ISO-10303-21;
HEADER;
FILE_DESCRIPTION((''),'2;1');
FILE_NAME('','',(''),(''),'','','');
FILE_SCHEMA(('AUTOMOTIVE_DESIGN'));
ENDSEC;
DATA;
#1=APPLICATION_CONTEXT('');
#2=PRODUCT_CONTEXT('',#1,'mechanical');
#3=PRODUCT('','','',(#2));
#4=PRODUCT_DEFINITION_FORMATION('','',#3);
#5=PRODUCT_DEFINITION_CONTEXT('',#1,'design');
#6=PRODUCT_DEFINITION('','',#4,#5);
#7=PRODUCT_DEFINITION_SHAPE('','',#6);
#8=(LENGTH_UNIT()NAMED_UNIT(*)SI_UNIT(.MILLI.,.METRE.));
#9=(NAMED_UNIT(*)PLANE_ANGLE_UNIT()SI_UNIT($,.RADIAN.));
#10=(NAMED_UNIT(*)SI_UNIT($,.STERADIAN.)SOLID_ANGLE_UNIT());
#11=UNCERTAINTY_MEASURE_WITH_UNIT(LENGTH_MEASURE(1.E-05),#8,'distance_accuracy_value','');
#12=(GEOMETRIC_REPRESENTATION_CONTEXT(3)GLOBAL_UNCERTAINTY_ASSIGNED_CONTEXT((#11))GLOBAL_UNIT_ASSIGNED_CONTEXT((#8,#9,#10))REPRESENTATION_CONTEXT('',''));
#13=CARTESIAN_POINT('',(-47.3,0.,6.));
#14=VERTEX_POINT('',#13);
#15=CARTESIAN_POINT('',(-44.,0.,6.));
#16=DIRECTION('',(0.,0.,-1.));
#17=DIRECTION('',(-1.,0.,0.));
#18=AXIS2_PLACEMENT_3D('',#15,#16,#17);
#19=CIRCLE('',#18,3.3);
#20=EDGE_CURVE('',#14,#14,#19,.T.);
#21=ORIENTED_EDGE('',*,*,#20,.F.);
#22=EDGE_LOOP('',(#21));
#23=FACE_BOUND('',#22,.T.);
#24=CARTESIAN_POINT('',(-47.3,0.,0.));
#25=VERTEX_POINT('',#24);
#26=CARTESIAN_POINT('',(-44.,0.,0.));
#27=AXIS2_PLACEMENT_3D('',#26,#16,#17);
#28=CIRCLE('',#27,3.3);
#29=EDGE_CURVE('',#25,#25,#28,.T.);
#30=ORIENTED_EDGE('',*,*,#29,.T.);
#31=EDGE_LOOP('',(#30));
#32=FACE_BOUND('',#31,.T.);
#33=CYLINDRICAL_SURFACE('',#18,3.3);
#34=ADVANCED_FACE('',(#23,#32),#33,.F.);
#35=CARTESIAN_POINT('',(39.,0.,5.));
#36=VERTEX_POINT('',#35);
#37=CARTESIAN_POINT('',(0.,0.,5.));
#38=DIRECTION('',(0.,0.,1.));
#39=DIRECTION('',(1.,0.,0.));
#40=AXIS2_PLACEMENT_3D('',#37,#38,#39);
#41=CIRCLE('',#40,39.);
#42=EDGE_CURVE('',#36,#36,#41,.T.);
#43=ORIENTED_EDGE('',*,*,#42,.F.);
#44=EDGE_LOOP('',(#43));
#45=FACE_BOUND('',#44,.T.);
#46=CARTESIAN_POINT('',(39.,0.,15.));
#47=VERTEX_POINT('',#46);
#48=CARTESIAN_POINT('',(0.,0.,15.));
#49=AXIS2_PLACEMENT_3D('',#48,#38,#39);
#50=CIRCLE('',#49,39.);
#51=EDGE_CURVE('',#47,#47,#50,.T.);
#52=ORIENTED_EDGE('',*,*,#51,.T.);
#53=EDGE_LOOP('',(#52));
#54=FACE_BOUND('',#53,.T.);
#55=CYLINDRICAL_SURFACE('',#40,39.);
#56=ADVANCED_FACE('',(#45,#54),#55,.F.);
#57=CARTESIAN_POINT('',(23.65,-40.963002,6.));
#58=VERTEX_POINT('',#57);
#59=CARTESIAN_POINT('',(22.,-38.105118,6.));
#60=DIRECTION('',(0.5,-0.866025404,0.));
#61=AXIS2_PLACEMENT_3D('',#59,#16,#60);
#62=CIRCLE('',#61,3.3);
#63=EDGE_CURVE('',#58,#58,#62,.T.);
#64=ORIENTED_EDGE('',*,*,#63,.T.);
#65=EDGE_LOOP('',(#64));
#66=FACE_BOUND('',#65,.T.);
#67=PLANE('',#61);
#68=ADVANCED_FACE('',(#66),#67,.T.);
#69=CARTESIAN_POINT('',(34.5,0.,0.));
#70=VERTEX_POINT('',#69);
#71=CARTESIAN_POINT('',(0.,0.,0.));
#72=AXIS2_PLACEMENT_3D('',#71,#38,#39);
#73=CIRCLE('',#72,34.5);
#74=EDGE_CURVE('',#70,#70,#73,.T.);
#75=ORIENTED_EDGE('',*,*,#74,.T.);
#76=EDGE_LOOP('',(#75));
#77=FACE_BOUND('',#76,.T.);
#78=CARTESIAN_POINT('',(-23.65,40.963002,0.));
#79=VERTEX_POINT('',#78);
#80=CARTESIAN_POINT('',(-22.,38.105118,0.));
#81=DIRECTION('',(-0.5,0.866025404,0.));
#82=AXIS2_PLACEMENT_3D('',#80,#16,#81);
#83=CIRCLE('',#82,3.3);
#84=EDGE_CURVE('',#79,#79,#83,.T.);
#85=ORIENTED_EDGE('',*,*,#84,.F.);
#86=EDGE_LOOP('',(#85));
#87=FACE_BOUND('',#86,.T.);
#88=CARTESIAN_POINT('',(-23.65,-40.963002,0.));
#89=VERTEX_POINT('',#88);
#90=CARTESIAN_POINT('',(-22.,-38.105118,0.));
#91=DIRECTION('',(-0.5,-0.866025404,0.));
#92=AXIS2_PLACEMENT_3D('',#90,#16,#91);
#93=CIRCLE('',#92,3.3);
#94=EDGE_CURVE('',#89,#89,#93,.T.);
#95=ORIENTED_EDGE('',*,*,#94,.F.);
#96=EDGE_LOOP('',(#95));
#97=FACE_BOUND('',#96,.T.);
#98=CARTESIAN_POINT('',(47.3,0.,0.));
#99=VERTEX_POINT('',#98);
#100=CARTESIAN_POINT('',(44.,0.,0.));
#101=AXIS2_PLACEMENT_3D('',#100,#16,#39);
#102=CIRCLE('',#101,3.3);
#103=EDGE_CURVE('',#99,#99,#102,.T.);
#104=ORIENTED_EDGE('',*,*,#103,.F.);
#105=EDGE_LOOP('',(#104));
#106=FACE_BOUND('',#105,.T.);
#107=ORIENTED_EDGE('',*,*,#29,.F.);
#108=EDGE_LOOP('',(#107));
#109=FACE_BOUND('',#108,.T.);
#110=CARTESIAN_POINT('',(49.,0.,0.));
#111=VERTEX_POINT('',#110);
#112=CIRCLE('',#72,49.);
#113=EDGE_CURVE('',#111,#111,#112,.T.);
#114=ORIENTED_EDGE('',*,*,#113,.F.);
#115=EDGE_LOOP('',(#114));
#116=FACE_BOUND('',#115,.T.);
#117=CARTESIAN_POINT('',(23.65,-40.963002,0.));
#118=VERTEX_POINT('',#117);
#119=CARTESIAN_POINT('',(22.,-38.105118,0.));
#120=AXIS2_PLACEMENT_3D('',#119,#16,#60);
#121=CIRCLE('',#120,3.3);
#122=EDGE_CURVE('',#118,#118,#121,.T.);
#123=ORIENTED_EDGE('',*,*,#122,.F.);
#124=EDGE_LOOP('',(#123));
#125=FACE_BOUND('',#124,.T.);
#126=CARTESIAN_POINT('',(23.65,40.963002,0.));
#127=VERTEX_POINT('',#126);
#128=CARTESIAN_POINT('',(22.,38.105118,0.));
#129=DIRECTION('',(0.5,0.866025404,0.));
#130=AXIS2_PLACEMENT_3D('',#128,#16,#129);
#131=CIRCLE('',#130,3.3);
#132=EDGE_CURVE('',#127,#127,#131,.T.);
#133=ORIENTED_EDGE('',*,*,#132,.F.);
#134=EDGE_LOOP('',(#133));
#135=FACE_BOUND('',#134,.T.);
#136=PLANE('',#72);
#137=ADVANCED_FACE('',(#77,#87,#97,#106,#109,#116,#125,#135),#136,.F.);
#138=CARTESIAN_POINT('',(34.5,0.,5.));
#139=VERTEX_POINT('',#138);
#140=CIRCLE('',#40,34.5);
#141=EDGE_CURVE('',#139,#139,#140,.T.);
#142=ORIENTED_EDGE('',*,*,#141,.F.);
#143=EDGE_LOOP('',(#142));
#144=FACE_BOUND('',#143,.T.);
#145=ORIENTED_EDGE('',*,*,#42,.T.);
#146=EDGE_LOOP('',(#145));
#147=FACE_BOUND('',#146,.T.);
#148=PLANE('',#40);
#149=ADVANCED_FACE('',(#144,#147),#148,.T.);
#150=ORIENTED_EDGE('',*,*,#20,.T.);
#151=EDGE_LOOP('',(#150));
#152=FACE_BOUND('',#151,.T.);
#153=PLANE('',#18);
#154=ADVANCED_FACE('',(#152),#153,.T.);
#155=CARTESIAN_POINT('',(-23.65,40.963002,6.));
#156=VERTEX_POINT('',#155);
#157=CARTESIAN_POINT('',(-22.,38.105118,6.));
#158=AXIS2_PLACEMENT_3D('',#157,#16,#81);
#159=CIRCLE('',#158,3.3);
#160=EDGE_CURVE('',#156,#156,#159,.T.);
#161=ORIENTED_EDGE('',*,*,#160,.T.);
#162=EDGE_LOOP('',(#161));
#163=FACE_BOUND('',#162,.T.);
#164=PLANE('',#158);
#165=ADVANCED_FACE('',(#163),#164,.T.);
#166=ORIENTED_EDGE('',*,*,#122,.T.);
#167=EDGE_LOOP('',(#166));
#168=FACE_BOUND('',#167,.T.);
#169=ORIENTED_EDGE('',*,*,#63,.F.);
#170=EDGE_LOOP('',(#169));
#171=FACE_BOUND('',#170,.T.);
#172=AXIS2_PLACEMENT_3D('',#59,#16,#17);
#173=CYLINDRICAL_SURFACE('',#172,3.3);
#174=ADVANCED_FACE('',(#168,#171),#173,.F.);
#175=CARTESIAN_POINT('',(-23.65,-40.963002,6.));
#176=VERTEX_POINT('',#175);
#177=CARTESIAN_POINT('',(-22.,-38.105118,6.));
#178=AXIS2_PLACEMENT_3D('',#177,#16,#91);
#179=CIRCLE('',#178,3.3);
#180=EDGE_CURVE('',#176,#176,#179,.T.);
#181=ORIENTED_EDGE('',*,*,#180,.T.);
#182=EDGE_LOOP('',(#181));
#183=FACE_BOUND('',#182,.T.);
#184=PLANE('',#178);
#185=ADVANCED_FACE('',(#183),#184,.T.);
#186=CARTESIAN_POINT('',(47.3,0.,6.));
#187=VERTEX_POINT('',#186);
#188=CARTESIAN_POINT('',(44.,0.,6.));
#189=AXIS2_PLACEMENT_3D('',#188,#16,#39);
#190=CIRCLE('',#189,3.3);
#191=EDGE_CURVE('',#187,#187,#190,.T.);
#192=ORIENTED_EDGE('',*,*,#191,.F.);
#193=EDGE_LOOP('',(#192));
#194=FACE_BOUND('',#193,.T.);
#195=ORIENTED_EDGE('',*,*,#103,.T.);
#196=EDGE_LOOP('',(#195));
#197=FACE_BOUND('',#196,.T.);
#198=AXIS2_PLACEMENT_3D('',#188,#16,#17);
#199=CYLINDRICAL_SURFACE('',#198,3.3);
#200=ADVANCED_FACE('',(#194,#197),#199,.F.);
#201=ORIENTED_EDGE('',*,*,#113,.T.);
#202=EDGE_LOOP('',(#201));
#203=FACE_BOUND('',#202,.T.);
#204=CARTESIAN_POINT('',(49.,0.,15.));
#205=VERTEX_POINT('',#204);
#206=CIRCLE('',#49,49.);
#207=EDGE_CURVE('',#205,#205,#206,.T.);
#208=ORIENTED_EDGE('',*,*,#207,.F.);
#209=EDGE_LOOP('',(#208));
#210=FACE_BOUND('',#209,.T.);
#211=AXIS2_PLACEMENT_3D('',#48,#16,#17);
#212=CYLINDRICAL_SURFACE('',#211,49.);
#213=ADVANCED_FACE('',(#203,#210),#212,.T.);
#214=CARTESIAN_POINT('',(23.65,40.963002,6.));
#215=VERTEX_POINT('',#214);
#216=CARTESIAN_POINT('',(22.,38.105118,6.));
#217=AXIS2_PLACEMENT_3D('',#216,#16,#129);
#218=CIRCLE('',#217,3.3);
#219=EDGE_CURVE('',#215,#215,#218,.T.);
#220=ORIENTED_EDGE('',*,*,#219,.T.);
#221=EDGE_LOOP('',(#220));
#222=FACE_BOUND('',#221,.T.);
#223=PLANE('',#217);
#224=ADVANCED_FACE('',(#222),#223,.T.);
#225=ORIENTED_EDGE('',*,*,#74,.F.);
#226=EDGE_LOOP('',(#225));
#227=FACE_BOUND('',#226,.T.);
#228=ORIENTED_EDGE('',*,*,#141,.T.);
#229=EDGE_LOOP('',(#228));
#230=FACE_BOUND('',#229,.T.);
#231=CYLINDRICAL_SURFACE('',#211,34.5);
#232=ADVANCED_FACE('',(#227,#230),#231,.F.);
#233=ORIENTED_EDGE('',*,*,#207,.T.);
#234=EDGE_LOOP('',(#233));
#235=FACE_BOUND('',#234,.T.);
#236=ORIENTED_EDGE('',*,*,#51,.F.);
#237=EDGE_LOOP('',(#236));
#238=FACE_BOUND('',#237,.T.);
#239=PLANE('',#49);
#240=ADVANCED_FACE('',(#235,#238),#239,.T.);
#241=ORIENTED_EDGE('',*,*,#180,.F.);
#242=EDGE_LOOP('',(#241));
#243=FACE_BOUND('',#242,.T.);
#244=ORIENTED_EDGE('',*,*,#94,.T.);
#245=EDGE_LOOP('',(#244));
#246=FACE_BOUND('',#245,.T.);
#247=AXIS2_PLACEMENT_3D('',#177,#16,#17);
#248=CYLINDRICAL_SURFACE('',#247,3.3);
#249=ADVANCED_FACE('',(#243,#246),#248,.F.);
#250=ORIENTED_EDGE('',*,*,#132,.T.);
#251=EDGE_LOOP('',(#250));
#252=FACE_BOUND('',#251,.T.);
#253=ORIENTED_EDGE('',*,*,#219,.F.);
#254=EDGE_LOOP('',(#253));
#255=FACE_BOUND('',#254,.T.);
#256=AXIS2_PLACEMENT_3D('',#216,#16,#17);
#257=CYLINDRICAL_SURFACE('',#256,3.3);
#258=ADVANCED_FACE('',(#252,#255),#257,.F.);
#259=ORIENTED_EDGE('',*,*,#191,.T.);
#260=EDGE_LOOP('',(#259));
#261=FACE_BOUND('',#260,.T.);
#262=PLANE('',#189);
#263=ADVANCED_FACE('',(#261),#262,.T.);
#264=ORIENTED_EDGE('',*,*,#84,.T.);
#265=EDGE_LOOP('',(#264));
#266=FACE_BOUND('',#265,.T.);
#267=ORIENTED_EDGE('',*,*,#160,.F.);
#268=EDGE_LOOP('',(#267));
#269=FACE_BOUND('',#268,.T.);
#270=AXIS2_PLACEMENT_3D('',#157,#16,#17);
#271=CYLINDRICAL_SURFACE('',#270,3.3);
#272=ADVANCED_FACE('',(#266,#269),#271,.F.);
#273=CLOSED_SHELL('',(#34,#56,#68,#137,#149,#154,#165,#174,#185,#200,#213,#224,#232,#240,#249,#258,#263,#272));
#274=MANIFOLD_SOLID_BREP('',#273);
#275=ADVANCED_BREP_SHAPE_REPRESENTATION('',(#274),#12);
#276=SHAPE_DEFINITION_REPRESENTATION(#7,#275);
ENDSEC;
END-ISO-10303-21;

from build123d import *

# Parameters (mm, degrees)
SZKIC1_R                    = 49
SZKIC1_R_2                  = 34.5
DODANIE_WYCI_GNI_CIE1_DEPTH = 15
SZKIC2_R                    = 3.3
WYTNIJ_WYCI_GNI_CIE1_DEPTH  = 6
SZYK_KO_OWY1_COUNT          = 6
SZKIC3_R                    = 39
WYTNIJ_WYCI_GNI_CIE2_DEPTH  = 10


with BuildPart() as part:
    # Szkic1 → Dodanie-wyciągnięcie1 (new body)
    with BuildSketch(Plane.XY):
        Circle(SZKIC1_R)
        Circle(SZKIC1_R_2, mode=Mode.SUBTRACT)
    extrude(amount=DODANIE_WYCI_GNI_CIE1_DEPTH)

    # Szkic2 → Wytnij-wyciągnięcie1 (cut)
    with BuildSketch(Plane(origin=(0, 0, 0), x_dir=(-1, 0, 0), z_dir=(0, 0, -1))):
        with Locations((44, 0)):
            Circle(SZKIC2_R)
    wytnij_wyci_gni_cie1 = extrude(amount=-WYTNIJ_WYCI_GNI_CIE1_DEPTH, mode=Mode.SUBTRACT)

    # Szyk kołowy1: Wytnij-wyciągnięcie1 ×6 about axis
    szyk_ko_owy1_axis = Axis((0, 0, 0), (0, 0, 1))
    for i in range(1, SZYK_KO_OWY1_COUNT):
        add(wytnij_wyci_gni_cie1.rotate(szyk_ko_owy1_axis, i * 360 / SZYK_KO_OWY1_COUNT), mode=Mode.SUBTRACT)

    # Szkic3 → Wytnij-wyciągnięcie2 (cut)
    with BuildSketch(Plane.XY.offset(15)):
        Circle(SZKIC3_R)
    extrude(amount=-WYTNIJ_WYCI_GNI_CIE2_DEPTH, mode=Mode.SUBTRACT)


solid = part.part
